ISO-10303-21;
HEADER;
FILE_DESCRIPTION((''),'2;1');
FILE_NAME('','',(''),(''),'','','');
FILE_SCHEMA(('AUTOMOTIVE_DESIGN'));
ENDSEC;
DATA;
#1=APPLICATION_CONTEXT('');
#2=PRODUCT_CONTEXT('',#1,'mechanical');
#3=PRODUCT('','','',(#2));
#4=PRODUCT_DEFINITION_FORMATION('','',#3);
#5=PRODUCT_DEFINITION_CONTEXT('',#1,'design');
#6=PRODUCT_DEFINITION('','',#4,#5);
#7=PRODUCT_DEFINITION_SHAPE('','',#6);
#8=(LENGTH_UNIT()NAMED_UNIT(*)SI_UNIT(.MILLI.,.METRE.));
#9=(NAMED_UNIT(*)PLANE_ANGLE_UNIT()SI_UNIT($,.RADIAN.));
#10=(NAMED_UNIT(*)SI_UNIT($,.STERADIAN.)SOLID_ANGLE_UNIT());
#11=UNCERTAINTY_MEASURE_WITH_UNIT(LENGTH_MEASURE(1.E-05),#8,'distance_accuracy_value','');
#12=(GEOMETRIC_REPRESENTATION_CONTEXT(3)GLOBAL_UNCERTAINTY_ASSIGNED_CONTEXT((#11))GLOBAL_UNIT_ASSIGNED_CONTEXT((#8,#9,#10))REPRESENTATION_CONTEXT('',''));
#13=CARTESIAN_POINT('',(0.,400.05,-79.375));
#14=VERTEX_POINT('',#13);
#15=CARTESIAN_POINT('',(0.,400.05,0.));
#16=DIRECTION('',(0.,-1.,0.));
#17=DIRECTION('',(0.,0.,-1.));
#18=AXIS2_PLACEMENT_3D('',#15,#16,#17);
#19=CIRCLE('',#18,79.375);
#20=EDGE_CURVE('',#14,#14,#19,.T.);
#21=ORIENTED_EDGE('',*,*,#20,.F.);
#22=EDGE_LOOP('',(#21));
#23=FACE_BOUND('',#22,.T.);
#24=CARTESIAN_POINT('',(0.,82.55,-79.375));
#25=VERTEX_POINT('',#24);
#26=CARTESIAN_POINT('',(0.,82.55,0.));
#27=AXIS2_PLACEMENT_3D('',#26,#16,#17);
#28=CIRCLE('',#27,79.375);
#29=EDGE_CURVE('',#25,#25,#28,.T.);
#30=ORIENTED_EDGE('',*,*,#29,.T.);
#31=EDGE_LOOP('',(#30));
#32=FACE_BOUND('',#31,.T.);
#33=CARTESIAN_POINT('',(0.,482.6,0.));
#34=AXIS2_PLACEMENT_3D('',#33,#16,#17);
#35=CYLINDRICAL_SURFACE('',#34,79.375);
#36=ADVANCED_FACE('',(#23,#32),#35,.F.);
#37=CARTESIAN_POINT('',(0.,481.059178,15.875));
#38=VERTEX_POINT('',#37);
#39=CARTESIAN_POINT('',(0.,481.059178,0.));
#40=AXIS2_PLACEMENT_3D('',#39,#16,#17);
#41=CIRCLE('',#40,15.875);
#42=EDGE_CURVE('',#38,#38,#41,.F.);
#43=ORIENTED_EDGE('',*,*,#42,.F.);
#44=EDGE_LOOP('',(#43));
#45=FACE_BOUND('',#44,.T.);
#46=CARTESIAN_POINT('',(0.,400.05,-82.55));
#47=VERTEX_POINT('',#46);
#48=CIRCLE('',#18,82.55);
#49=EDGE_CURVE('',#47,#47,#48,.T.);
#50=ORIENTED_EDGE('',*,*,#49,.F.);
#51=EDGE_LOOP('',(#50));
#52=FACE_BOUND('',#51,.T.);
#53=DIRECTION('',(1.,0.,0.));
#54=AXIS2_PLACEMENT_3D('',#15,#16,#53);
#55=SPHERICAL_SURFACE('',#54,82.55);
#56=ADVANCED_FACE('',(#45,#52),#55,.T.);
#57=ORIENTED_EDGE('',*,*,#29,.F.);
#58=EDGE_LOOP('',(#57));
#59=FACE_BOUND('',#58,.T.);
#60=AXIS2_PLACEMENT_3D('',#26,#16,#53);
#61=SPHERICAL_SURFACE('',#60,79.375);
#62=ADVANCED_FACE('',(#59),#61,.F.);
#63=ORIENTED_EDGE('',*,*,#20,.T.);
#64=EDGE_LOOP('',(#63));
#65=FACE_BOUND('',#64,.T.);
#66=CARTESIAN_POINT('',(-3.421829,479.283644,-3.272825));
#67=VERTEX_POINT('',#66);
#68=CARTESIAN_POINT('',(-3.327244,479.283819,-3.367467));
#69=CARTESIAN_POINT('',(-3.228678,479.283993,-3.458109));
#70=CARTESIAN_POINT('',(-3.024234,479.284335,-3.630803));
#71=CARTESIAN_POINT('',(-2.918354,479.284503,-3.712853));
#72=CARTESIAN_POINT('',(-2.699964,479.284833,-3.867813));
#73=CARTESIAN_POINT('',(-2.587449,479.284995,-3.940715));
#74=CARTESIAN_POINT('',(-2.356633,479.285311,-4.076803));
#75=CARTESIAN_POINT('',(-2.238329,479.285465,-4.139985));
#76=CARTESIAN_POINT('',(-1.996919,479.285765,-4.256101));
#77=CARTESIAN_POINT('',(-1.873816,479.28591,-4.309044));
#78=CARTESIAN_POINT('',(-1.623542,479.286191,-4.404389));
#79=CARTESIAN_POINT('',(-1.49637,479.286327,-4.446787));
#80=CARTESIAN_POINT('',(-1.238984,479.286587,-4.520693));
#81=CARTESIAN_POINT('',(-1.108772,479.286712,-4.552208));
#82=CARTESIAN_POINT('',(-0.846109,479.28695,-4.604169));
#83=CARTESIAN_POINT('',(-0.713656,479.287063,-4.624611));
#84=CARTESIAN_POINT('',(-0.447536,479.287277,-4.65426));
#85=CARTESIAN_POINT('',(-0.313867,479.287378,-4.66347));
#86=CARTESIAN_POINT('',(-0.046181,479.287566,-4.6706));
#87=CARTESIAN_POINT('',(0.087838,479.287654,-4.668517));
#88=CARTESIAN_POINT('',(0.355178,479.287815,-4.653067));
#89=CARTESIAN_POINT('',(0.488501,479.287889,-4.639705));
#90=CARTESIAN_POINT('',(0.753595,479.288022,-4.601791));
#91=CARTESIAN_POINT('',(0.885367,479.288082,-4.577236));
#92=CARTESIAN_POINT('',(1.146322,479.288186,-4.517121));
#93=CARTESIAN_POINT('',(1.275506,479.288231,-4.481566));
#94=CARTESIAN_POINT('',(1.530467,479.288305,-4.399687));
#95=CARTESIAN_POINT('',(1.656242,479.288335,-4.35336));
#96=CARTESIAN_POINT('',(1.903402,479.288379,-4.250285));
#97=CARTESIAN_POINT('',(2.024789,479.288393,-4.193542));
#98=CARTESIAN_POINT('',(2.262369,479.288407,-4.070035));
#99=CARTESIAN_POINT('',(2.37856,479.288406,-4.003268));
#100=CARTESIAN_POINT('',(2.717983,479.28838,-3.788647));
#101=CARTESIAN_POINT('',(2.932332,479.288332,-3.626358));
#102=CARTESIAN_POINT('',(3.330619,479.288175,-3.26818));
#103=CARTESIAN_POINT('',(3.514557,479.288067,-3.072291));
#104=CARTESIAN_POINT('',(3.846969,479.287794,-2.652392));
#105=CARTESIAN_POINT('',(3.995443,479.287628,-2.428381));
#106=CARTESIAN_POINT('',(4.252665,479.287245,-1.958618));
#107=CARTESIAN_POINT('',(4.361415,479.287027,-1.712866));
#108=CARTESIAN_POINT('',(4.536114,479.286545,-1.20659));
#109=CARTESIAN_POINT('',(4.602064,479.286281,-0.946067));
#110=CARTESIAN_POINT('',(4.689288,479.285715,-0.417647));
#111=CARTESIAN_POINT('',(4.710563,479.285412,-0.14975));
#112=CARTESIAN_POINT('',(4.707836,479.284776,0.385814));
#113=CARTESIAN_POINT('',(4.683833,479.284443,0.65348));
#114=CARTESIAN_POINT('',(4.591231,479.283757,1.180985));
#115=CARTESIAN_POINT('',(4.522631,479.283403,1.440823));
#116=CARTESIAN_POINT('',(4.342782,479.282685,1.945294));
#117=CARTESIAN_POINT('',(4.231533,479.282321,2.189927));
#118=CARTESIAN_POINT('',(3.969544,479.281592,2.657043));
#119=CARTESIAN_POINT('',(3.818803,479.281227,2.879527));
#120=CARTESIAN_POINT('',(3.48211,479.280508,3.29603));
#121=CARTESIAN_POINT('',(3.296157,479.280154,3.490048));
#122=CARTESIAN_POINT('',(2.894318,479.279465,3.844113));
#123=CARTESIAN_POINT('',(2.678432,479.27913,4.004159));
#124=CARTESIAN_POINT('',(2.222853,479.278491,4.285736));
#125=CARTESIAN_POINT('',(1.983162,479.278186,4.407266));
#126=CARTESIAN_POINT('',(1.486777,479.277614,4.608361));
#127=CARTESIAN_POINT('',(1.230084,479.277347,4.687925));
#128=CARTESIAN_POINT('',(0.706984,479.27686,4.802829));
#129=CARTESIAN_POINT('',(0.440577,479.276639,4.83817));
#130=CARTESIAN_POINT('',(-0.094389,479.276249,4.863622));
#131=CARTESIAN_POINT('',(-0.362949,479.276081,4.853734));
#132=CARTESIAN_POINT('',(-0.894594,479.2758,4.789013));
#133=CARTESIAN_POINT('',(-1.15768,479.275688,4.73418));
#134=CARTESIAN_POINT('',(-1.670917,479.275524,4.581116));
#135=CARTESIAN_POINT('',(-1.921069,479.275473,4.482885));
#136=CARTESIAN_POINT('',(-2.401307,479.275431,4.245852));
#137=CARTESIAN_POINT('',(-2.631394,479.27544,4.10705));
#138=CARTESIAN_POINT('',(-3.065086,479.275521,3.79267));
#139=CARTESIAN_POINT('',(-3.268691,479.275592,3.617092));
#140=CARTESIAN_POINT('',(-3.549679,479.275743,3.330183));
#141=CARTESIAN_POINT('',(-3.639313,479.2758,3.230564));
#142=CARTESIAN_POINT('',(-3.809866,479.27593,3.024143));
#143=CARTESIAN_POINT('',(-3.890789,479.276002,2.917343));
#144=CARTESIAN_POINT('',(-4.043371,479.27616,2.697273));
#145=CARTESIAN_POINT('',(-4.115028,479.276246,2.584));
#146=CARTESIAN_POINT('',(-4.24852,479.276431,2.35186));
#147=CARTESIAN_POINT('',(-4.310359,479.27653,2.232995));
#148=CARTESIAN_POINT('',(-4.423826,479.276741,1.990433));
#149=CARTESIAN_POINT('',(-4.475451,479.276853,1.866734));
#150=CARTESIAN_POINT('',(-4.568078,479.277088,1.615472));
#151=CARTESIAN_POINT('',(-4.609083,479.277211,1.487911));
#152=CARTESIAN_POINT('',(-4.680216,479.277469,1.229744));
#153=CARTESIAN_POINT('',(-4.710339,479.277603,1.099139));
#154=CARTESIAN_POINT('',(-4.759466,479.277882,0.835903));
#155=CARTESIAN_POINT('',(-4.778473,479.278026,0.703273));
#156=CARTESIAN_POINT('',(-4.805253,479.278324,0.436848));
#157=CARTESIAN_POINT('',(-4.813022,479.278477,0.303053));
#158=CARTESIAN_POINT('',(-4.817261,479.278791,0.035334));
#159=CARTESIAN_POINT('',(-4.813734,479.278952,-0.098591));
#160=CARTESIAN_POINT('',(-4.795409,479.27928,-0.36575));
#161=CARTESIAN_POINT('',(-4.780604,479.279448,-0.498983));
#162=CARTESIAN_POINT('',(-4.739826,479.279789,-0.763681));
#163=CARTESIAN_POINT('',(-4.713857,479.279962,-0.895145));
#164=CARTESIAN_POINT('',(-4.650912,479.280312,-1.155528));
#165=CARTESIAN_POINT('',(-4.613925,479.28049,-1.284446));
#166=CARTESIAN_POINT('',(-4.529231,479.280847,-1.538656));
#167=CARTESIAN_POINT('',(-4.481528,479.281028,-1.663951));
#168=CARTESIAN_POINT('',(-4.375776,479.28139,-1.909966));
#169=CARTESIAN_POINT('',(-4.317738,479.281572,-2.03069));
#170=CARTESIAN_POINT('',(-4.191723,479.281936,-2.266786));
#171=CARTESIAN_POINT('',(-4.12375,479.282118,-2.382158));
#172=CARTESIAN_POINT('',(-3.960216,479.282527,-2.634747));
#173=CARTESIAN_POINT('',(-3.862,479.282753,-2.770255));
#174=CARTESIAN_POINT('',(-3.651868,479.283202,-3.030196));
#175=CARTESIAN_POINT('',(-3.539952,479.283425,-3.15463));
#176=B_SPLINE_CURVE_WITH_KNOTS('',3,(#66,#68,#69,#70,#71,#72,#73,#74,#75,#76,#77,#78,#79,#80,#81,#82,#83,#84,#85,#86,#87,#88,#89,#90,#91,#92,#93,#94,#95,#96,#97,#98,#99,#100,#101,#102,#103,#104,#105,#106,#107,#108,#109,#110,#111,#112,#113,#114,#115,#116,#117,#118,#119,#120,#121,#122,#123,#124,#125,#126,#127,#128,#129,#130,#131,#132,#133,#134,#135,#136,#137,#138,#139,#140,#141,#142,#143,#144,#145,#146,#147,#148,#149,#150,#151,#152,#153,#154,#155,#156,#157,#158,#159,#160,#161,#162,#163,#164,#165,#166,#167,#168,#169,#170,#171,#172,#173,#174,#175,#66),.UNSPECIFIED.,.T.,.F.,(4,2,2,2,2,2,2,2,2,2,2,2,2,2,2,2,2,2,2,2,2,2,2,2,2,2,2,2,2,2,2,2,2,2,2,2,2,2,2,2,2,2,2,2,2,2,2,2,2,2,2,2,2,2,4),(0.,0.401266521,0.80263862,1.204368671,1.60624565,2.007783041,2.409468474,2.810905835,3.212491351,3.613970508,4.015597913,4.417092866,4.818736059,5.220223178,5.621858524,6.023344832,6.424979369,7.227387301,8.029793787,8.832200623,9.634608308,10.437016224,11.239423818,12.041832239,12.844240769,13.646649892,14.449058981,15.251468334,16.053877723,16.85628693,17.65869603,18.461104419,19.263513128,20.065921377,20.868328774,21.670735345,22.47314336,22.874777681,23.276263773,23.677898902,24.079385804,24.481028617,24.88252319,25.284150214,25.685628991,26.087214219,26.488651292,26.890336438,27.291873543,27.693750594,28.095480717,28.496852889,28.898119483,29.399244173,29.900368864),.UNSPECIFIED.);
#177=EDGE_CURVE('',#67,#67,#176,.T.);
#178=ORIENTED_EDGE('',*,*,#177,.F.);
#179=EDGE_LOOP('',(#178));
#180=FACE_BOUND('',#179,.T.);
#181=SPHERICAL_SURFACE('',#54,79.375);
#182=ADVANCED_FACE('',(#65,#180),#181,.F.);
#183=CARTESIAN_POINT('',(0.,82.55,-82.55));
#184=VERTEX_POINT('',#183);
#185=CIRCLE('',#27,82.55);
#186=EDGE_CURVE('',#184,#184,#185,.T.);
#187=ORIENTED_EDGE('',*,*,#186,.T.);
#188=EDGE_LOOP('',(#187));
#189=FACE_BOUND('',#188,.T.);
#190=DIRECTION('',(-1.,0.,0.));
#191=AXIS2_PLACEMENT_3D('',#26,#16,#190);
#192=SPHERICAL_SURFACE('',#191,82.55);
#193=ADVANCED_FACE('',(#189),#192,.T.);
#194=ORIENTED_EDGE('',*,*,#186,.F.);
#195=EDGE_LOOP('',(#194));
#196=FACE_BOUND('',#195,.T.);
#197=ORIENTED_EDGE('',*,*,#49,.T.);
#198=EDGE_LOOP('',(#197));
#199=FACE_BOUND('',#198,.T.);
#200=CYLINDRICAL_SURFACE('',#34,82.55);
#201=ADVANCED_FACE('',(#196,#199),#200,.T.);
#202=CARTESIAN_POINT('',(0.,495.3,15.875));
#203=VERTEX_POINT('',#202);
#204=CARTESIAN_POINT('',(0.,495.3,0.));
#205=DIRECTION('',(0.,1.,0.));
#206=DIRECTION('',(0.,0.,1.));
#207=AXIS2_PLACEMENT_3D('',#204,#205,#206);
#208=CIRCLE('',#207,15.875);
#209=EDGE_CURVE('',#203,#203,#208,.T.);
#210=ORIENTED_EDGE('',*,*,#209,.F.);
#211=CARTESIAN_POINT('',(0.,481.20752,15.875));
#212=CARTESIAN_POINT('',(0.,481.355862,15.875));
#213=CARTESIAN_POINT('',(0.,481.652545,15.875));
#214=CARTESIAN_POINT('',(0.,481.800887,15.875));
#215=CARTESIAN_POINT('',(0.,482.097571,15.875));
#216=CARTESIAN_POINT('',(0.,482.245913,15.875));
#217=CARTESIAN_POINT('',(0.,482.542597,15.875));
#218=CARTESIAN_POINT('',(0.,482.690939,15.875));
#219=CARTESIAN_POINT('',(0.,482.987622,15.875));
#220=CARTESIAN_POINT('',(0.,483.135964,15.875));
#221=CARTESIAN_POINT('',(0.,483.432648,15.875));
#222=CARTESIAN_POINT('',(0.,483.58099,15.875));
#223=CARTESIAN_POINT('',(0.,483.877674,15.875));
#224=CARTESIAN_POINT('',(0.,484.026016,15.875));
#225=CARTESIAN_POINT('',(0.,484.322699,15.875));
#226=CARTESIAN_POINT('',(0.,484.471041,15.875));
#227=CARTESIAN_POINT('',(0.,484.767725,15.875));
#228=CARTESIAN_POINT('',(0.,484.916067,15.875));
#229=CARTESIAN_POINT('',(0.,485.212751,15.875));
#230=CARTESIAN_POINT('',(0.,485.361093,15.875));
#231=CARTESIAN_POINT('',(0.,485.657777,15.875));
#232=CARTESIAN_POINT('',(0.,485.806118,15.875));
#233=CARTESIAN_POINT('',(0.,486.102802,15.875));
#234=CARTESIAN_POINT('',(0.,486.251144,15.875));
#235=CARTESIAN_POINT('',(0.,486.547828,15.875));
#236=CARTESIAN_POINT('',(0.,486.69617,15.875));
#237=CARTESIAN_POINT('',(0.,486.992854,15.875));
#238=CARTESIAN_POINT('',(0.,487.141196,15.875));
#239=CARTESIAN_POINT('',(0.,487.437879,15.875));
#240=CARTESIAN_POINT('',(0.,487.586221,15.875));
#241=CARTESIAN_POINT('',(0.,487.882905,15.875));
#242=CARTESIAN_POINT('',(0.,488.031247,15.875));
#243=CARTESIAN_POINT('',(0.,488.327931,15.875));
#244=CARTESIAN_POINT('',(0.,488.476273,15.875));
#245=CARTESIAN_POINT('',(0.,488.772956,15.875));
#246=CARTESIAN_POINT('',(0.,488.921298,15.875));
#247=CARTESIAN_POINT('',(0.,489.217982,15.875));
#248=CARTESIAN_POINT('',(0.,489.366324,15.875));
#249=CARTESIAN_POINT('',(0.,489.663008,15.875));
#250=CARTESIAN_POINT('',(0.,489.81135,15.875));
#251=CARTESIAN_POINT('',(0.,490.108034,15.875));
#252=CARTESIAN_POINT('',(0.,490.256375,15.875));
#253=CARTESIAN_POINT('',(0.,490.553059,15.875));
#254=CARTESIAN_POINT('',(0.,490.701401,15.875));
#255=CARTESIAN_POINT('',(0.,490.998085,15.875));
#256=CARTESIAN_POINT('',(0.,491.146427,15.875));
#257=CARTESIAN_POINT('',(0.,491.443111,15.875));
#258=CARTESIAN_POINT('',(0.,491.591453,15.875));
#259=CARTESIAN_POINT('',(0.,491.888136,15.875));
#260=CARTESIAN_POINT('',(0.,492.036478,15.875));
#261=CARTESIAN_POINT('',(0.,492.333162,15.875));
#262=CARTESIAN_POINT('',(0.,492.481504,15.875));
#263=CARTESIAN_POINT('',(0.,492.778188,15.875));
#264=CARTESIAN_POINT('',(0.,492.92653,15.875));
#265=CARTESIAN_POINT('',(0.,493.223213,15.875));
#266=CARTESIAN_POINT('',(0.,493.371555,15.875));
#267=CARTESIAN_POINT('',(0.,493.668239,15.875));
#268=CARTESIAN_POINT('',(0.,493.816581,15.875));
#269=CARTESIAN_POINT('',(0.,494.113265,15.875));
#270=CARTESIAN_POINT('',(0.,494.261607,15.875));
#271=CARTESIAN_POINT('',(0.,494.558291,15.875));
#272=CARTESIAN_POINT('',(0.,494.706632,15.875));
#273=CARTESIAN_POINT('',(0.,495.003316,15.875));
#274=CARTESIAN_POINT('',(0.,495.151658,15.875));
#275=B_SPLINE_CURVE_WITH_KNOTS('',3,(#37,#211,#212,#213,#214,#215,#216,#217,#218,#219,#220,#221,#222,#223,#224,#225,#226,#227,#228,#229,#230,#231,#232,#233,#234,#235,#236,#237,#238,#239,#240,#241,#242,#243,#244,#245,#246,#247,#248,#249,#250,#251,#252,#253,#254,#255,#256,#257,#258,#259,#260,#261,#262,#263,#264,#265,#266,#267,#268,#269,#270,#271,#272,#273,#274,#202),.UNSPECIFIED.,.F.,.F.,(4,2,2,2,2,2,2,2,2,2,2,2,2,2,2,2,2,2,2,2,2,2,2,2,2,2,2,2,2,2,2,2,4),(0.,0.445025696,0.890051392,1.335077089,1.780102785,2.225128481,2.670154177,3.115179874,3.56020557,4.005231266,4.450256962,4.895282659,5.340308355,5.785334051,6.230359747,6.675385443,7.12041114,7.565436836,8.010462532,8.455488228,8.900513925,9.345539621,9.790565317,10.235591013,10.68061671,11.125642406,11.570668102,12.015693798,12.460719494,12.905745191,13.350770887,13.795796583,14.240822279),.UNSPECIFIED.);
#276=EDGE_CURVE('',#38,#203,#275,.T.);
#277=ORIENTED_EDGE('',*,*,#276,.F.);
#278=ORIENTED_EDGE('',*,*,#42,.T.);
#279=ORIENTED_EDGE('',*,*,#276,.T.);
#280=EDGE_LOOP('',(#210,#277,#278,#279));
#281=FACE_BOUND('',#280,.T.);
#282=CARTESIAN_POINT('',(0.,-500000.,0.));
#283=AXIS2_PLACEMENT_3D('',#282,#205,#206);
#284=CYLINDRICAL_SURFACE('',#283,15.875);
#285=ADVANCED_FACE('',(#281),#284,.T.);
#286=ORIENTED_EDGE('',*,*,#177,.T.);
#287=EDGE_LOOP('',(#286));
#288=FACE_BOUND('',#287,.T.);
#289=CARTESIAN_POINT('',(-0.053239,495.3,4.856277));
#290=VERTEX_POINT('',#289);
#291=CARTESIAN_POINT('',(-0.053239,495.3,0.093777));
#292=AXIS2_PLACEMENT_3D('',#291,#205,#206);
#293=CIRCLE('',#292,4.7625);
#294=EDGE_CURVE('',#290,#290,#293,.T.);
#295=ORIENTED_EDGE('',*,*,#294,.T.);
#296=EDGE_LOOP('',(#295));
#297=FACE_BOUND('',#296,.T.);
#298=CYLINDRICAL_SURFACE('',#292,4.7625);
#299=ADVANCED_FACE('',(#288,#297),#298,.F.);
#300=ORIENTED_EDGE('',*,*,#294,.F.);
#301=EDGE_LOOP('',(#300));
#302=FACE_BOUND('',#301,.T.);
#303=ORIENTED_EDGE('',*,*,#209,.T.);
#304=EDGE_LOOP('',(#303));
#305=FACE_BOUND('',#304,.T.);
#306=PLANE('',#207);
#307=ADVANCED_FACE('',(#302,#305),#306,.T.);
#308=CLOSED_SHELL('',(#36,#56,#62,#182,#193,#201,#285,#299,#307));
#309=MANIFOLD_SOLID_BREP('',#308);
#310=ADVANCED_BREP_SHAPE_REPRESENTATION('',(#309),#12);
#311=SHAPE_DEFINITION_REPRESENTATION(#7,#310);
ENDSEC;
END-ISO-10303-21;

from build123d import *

# Parameters (mm, degrees)
BOSS_EXTRUDE1_REACH              = 498.52
BOSS_EXTRUDE1_END_RADIUS         = 82.55
SKETCH2_R                        = 15.875
BOSS_EXTRUDE1_DIRECTION_2_DEPTH  = 12.7
F_3_8_0_375_DIAMETER_HOLE1_D     = 9.525
F_3_8_0_375_DIAMETER_HOLE1_DEPTH = 25.4
F_3_8_0_375_DIAMETER_HOLE1_TIP   = 2.861598698


with BuildPart() as part:
    # Sketch1 → Revolve1 (revolve)
    with BuildSketch(Plane.XY):
        with BuildLine():
            Line((82.55, 400.05), (82.55, 82.55))
            ThreePointArc((82.55, 82.55), (58.371664787, 24.178335213), (0, 0))
            Line((0, 0), (0, 3.175))
            ThreePointArc((0, 3.175), (56.126600757, 26.423399243), (79.375, 82.55))
            Line((79.375, 82.55), (79.375, 400.05))
            ThreePointArc((79.375, 400.05), (56.126600757, 456.176600757), (0, 479.425))
            Line((0, 479.425), (0, 482.6))
            ThreePointArc((0, 482.6), (58.371664787, 458.421664787), (82.55, 400.05))
        make_face()
    revolve(axis=Axis((0, 482.6, 0), (0, 1, 0)))

    # Boss-Extrude1: up to this sphere (the profile starts outside it)
    boss_extrude1_end = Location((0, 400.05, 0)) * Sphere(BOSS_EXTRUDE1_END_RADIUS, mode=Mode.PRIVATE)
    # Sketch2 → Boss-Extrude1 (add, up to the surface)
    with BuildSketch(Plane(origin=(0, 482.6, 0), x_dir=(1, 0, 0), z_dir=(0, 1, 0)), mode=Mode.PRIVATE) as boss_extrude1_sk1:
        with Locations(Location((0, 0, 0), (0, 0, 270))):
            Circle(SKETCH2_R)
    boss_extrude1_tool1 = extrude(boss_extrude1_sk1.sketch, amount=-BOSS_EXTRUDE1_REACH, mode=Mode.PRIVATE) - boss_extrude1_end
    add(boss_extrude1_tool1.solids().sort_by_distance((0, 482.6, 0))[0])

    # Sketch2 → Boss-Extrude1 direction 2 (add)
    with BuildSketch(Plane(origin=(0, 482.6, 0), x_dir=(1, 0, 0), z_dir=(0, 1, 0))):
        with Locations(Location((0, 0, 0), (0, 0, 270))):
            Circle(SKETCH2_R)
    extrude(amount=BOSS_EXTRUDE1_DIRECTION_2_DEPTH)

    # 3/8 (0.375) Diameter Hole1
    with Locations(Plane(origin=(-0.053238661, 495.3, 0.09377676), x_dir=(0, 0, 1), z_dir=(0, 1, 0))):
        with Locations((0, 0)):
            Hole(F_3_8_0_375_DIAMETER_HOLE1_D / 2, depth=F_3_8_0_375_DIAMETER_HOLE1_DEPTH)
            with Locations((0, 0, -(F_3_8_0_375_DIAMETER_HOLE1_DEPTH + F_3_8_0_375_DIAMETER_HOLE1_TIP / 2))):  # 118° drill point
                Cone(0, F_3_8_0_375_DIAMETER_HOLE1_D / 2, F_3_8_0_375_DIAMETER_HOLE1_TIP, mode=Mode.SUBTRACT)


solid = part.part
